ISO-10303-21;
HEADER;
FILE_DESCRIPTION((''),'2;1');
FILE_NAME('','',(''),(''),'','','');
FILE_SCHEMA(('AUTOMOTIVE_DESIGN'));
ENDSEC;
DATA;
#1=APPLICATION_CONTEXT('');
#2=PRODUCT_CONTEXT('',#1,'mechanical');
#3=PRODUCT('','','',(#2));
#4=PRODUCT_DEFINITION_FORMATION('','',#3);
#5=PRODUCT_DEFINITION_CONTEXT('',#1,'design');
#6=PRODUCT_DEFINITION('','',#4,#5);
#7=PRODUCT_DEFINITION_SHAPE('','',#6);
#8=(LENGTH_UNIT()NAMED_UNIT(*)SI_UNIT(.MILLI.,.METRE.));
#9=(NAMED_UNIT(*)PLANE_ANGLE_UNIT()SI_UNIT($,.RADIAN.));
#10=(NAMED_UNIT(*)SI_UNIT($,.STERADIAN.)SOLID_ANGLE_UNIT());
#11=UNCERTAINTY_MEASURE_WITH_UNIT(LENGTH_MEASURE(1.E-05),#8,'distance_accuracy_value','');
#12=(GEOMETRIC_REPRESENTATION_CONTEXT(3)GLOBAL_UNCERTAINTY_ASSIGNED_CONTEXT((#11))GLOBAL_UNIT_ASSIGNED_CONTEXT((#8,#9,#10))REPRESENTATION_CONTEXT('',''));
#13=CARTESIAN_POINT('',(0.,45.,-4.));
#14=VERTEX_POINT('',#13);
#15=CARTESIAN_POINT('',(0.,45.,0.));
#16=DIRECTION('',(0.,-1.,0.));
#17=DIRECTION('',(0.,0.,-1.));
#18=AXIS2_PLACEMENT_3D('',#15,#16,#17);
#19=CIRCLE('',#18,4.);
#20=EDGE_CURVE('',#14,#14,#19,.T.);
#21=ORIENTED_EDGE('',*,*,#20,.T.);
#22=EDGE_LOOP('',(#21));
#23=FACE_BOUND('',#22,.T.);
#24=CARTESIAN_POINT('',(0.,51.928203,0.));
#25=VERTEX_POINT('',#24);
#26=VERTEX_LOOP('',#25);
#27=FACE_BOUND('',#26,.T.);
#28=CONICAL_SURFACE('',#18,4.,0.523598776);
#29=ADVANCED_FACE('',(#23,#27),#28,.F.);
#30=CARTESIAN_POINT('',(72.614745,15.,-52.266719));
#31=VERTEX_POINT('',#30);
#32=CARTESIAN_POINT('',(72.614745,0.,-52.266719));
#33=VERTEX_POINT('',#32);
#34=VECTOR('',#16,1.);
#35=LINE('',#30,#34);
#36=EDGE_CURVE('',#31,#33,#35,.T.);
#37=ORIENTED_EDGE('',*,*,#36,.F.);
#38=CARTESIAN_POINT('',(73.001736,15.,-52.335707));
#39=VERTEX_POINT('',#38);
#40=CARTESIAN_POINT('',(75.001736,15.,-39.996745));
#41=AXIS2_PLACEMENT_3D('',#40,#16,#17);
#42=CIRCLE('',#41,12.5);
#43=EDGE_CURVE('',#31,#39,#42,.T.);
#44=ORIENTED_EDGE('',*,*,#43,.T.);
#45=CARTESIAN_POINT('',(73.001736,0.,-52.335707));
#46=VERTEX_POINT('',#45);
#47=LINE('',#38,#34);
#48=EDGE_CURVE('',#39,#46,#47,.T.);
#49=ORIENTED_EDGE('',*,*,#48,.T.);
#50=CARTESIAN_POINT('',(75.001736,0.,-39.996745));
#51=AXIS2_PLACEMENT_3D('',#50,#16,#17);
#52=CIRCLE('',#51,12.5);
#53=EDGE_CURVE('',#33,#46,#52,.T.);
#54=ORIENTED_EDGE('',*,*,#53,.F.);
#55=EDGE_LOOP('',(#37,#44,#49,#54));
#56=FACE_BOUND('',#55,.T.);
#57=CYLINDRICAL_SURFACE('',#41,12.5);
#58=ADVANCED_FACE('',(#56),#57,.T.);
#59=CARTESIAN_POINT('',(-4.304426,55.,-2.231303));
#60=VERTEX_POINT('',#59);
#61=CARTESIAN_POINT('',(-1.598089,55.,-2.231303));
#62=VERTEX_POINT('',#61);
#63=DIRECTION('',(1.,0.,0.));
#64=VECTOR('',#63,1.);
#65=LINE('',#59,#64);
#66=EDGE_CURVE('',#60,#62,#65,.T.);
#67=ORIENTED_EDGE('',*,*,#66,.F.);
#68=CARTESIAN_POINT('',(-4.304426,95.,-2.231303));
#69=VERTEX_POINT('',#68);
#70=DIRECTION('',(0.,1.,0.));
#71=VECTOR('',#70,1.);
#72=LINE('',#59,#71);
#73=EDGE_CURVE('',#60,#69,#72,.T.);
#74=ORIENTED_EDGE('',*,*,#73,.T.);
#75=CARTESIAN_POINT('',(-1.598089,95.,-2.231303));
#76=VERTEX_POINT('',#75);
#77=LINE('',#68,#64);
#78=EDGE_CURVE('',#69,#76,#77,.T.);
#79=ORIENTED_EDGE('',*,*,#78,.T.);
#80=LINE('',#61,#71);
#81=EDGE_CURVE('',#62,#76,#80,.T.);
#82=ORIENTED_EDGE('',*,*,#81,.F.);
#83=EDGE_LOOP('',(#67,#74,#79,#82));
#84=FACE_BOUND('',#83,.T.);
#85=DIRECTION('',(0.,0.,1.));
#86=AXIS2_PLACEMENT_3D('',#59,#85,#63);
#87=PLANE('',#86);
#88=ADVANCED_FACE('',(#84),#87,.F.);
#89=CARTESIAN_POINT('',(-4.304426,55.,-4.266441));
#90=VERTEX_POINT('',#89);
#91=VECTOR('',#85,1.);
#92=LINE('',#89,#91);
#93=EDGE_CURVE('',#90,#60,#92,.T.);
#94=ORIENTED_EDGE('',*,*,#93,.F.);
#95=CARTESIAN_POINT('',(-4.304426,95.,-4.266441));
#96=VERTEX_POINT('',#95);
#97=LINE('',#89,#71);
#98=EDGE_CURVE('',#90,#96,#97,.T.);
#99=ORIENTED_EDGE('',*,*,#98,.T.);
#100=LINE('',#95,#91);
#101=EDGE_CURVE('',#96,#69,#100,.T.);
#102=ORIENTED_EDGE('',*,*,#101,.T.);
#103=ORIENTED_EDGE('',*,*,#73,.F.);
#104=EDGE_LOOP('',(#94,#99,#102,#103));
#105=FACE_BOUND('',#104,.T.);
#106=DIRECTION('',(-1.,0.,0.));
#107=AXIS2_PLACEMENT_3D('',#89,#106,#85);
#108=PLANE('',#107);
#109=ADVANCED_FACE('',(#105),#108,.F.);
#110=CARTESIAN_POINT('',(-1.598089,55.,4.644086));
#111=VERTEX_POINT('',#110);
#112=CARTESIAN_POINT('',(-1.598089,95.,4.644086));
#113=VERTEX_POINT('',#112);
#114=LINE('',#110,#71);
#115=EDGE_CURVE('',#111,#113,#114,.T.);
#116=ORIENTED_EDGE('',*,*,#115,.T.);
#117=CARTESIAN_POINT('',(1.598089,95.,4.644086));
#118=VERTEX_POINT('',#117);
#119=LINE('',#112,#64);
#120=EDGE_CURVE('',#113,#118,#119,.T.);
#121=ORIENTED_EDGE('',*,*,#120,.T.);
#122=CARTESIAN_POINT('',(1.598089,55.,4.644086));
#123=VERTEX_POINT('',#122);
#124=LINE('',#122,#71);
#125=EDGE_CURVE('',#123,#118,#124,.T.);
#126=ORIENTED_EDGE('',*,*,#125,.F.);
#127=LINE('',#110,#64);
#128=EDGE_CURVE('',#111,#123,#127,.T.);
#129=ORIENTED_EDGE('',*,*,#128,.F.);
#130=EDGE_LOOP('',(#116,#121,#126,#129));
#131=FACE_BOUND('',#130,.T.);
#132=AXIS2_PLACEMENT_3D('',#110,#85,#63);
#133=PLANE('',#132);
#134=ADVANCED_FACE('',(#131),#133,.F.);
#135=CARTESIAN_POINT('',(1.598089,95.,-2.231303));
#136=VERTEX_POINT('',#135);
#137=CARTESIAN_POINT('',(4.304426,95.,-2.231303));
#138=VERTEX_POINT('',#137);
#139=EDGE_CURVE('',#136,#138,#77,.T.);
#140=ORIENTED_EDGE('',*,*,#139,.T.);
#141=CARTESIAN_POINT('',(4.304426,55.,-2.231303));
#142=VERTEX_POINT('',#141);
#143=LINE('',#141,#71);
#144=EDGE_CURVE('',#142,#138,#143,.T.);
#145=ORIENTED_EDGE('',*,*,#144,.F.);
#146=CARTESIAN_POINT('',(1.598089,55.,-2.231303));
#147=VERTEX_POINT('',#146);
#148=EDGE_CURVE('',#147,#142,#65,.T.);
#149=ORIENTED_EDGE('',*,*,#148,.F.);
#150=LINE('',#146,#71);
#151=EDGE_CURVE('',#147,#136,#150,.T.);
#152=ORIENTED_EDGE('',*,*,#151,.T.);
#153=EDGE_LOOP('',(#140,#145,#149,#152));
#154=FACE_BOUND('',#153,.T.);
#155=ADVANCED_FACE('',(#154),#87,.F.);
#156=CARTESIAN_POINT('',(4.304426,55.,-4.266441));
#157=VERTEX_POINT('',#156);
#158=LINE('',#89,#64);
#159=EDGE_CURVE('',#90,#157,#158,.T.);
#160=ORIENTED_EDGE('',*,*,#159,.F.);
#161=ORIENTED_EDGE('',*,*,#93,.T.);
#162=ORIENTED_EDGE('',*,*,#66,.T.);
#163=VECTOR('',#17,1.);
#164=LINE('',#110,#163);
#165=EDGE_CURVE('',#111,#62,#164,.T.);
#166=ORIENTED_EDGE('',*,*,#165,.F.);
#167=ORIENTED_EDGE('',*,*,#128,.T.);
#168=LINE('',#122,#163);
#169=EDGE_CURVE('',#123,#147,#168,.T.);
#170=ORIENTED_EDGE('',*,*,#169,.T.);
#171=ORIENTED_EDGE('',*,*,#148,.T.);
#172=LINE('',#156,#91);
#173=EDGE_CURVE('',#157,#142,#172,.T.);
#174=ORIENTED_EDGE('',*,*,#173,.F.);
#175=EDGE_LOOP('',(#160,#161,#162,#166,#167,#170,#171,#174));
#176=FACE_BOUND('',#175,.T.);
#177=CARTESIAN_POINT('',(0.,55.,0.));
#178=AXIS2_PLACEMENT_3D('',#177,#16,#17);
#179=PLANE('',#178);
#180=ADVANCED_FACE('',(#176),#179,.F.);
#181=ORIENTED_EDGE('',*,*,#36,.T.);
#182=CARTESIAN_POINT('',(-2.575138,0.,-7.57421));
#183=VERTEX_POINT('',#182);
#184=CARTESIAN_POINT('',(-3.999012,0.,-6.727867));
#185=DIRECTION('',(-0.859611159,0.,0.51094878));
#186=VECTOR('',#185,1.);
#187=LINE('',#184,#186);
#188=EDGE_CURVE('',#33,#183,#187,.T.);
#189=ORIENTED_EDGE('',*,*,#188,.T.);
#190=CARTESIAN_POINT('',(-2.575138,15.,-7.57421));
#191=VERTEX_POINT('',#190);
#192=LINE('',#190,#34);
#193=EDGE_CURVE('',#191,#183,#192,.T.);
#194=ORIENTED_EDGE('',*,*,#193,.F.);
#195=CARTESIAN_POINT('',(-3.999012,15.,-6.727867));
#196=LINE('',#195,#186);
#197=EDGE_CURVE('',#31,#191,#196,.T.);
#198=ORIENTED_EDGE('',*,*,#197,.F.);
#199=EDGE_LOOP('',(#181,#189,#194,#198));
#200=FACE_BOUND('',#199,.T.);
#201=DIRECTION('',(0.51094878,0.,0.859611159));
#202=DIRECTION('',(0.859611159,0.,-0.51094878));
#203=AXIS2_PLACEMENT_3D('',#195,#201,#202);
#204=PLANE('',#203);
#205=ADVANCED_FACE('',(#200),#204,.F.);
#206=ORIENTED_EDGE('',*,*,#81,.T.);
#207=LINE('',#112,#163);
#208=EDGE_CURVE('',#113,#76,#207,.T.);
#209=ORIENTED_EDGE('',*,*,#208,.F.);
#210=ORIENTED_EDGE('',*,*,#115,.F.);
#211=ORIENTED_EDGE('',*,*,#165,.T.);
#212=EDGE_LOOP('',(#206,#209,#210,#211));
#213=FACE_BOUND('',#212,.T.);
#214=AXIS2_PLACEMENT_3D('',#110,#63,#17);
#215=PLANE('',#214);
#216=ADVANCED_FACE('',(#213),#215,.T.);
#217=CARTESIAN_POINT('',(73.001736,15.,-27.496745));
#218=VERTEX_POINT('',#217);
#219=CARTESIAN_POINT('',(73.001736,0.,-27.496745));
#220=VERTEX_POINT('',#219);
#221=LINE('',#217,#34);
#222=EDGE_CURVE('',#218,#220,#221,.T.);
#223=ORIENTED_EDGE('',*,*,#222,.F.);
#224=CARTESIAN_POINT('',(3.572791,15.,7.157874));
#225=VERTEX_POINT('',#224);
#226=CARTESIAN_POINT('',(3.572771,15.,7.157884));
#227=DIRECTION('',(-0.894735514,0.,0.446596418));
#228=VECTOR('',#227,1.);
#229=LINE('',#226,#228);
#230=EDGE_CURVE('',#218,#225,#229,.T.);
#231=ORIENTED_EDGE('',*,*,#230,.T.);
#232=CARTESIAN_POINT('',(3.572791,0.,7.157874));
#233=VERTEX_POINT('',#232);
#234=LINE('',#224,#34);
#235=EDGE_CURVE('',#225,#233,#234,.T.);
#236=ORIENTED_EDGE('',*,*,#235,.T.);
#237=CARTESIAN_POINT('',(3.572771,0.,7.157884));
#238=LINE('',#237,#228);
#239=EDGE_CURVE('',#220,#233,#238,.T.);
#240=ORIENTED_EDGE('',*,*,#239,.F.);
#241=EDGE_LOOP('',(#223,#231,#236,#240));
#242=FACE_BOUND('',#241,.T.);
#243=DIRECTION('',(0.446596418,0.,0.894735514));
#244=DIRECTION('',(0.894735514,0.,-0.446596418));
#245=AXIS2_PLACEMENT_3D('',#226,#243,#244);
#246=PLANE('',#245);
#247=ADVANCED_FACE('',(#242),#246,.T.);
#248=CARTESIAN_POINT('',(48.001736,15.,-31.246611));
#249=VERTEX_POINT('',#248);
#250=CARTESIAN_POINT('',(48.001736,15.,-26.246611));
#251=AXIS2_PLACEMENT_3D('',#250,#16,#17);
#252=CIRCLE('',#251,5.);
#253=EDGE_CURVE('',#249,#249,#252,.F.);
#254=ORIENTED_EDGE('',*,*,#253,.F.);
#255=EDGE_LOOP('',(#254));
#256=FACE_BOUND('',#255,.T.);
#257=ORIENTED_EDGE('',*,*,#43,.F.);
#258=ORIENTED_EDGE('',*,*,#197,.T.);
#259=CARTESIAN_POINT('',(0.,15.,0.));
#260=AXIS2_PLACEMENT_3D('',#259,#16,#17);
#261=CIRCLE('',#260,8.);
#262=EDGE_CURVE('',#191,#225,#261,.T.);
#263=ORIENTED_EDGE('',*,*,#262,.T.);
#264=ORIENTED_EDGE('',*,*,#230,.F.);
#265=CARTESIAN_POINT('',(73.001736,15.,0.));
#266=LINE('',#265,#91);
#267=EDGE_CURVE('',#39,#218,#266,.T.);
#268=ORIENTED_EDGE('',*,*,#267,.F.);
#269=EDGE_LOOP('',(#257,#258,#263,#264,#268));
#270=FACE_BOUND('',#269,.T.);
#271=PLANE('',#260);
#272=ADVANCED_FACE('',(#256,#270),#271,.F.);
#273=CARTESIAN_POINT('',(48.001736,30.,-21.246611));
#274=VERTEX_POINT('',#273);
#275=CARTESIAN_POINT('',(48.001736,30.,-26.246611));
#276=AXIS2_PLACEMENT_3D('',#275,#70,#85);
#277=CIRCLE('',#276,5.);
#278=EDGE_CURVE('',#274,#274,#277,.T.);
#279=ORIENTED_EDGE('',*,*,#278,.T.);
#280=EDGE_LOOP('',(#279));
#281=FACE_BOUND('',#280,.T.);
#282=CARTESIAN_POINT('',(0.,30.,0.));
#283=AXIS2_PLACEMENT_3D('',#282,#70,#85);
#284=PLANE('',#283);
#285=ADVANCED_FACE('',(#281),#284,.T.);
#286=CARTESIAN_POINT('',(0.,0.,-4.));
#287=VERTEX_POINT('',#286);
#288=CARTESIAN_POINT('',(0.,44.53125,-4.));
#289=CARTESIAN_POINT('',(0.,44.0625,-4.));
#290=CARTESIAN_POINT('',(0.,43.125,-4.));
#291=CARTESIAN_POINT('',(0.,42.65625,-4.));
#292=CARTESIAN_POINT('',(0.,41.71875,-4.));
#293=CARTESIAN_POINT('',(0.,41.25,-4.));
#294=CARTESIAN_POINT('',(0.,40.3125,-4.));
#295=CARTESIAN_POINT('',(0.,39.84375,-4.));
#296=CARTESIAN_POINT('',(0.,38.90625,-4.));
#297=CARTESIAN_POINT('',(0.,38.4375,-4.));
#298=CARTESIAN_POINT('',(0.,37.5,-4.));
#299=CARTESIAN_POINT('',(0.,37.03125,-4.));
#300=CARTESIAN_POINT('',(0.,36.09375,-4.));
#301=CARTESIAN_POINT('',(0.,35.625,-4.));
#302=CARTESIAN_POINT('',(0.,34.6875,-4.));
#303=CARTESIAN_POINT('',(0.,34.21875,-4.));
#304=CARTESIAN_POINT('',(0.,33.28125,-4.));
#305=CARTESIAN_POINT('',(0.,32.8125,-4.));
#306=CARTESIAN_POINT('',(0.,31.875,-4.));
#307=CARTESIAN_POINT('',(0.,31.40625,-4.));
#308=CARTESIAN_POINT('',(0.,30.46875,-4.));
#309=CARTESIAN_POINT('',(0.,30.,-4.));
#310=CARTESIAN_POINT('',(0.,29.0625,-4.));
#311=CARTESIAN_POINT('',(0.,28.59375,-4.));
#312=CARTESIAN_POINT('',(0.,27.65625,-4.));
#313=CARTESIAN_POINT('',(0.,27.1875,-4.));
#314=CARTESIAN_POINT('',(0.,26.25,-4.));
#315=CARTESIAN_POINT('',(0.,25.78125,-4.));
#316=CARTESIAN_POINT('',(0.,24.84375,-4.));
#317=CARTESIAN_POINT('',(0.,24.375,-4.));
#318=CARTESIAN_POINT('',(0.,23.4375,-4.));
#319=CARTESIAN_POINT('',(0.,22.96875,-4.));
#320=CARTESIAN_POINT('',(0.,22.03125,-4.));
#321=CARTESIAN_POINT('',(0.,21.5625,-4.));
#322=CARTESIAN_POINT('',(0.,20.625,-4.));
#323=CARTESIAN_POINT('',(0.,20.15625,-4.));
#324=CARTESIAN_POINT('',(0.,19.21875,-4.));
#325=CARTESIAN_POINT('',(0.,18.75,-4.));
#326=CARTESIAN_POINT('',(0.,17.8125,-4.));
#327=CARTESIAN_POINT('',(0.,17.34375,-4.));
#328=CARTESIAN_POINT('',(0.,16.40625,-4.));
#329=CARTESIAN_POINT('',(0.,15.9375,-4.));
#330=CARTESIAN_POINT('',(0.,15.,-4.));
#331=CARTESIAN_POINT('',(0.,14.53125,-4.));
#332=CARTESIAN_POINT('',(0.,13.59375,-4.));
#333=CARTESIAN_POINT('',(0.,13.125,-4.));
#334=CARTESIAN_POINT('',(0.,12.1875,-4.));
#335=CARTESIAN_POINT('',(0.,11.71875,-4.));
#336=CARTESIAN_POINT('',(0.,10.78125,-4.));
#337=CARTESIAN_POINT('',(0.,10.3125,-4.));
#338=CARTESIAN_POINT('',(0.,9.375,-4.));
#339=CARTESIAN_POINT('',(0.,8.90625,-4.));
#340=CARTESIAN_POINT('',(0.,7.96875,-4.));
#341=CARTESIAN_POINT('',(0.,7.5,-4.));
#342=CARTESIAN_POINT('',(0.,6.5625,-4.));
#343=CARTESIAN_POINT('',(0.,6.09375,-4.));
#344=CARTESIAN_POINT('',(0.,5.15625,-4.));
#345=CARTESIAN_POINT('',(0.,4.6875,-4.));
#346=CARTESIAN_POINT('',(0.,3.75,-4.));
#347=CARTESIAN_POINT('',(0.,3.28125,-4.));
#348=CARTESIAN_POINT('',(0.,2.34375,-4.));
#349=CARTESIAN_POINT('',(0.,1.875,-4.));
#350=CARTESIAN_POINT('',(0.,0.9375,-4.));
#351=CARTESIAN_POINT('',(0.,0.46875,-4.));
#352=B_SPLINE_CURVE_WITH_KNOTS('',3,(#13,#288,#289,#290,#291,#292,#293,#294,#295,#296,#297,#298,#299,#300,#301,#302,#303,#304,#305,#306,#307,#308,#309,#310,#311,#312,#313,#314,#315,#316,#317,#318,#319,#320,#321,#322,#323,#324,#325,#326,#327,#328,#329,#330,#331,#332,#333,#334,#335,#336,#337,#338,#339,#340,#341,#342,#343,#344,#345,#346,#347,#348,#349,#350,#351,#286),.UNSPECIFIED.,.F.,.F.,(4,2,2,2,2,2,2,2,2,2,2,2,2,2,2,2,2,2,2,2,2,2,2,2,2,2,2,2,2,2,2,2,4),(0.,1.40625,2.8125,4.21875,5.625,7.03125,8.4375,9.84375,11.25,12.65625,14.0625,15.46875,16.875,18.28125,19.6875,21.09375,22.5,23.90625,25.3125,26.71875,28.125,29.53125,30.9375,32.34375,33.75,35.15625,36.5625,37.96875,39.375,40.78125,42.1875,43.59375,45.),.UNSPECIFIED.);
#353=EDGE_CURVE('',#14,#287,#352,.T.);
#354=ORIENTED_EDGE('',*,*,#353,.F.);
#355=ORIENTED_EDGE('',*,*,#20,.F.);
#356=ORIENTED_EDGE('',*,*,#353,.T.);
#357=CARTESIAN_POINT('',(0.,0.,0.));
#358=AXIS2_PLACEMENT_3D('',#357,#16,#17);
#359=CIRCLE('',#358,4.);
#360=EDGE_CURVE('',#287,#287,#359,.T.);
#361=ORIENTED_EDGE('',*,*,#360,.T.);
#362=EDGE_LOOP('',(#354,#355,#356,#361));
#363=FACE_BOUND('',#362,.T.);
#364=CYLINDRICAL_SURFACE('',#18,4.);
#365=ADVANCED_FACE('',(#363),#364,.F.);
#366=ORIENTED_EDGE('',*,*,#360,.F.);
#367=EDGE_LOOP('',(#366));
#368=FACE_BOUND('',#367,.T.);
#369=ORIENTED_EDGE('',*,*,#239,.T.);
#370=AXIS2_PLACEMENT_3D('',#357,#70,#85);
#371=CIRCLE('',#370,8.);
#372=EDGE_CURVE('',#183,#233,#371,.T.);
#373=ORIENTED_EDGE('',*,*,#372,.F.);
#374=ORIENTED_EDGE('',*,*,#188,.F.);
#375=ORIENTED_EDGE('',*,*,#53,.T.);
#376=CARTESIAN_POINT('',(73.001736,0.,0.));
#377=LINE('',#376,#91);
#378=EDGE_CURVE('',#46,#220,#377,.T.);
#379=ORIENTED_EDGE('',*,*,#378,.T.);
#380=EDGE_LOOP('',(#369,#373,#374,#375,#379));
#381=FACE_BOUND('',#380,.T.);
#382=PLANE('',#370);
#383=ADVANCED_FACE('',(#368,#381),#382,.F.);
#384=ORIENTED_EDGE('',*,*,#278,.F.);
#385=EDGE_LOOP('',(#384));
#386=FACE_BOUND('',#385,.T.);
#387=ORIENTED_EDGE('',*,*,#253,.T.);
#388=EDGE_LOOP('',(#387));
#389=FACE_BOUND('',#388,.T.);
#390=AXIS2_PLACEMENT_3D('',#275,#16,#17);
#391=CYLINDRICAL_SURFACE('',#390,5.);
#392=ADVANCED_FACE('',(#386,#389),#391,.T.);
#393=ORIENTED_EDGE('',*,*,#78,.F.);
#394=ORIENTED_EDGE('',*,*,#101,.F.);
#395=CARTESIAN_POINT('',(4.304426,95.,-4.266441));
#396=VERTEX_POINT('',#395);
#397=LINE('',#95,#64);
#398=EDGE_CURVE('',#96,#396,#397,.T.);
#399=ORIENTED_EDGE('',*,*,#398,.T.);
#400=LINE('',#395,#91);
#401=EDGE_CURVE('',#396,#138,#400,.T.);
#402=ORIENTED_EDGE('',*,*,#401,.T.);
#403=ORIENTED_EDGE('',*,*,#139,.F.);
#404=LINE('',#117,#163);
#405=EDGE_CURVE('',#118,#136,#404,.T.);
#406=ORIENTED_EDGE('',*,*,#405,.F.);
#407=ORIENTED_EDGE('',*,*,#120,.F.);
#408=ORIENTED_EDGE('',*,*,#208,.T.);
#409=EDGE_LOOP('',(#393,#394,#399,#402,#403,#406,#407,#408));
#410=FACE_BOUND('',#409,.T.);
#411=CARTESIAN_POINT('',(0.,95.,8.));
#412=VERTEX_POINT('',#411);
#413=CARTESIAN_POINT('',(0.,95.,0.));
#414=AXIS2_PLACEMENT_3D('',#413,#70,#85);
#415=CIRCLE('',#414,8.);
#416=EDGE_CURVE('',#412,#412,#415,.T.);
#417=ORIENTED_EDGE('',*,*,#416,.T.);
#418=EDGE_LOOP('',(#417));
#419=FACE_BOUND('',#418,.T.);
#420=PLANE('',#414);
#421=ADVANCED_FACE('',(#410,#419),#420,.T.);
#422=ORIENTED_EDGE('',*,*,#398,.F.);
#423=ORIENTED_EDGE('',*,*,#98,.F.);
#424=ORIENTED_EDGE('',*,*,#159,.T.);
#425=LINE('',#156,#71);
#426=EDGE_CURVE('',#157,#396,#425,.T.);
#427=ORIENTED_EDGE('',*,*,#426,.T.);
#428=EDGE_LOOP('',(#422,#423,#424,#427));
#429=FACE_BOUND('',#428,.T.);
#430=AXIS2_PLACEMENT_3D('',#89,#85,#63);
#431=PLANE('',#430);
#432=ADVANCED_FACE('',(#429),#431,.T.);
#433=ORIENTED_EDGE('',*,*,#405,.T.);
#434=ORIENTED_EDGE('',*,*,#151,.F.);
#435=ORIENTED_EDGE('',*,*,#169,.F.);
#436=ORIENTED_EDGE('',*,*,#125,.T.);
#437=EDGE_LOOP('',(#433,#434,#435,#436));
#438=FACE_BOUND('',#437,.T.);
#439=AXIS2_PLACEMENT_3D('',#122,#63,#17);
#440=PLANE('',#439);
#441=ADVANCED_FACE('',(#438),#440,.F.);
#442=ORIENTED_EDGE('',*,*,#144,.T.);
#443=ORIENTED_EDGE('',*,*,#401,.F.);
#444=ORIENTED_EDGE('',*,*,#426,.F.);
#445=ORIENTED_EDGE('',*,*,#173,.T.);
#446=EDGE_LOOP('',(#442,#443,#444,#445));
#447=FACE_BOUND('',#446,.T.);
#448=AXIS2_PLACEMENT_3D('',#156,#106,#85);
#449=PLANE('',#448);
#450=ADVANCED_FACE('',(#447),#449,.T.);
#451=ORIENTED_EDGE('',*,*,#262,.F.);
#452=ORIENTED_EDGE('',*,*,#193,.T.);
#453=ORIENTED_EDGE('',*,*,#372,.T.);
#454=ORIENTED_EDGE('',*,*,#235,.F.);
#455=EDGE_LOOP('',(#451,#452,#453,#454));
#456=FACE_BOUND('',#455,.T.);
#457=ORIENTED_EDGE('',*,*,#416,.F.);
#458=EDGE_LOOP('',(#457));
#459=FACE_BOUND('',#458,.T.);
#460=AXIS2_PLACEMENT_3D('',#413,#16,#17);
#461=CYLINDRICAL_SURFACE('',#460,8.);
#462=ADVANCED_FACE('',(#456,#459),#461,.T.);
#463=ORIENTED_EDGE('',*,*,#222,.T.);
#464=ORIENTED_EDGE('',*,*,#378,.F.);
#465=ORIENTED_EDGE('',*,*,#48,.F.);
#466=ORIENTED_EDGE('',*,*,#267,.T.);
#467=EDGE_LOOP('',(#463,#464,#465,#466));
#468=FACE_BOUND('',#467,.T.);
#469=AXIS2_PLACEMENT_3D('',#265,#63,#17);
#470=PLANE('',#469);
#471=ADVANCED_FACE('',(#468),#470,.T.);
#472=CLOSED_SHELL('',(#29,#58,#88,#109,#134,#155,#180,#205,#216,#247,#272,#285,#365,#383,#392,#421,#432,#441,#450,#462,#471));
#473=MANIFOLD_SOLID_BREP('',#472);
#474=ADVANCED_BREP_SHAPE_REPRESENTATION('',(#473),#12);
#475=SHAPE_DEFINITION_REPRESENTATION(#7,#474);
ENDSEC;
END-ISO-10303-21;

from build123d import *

# Parameters (mm, degrees)
SKETCH1_R           = 8
BOSS_EXTRUDE1_DEPTH = 95
SKETCH2_R           = 4
CUT_EXTRUDE1_DEPTH  = 45
SKETCH3_W           = 8.60885167
SKETCH3_H           = 2.035138461
SKETCH3_W_2         = 3.196177608
SKETCH3_H_2         = 6.875388446
CUT_EXTRUDE2_DEPTH  = 40
BOSS_EXTRUDE2_DEPTH = 15
SKETCH5_R           = 5
BOSS_EXTRUDE3_DEPTH = 15


with BuildPart() as part:
    # Sketch1 → Boss-Extrude1 (new body)
    with BuildSketch(Plane(origin=(0, 0, 0), x_dir=(1, 0, 0), z_dir=(0, 1, 0))):
        with Locations(Location((0, 0, 0), (0, 0, 270))):
            Circle(SKETCH1_R)
    extrude(amount=BOSS_EXTRUDE1_DEPTH)

    # Sketch2 → Cut-Extrude1 (cut)
    with BuildSketch(Plane.XZ):
        with Locations(Location((0, 0, 0), (0, 0, 270))):
            Circle(SKETCH2_R)
    extrude(amount=-CUT_EXTRUDE1_DEPTH, mode=Mode.SUBTRACT)

    # Sketch3 → Cut-Extrude2 (cut)
    with BuildSketch(Plane(origin=(0, 95, 0), x_dir=(1, 0, 0), z_dir=(0, 1, 0))):
        with Locations((0, 3.24887213)):
            Rectangle(SKETCH3_W, SKETCH3_H)
        with Locations((0, -1.206391324)):
            Rectangle(SKETCH3_W_2, SKETCH3_H_2)
    extrude(amount=-CUT_EXTRUDE2_DEPTH, mode=Mode.SUBTRACT)

    # Sketch4 → Boss-Extrude2 (add)
    with BuildSketch(Plane.XZ):
        with BuildLine():
            ThreePointArc((72.61474538, -52.266719107), (72.807969556, -52.302734502), (73.001736138, -52.33570725))
            Line((73.001736138, -52.33570725), (73.001736138, -27.496744571))
            Line((73.001736138, -27.496744571), (3.57279106, 7.157874268))
            ThreePointArc((3.57279106, 7.157874268), (7.382913261, -3.081004996), (-2.575137965, -7.574210484))
            Line((-2.575137965, -7.574210484), (72.61474538, -52.266719107))
        make_face()
    extrude(amount=-BOSS_EXTRUDE2_DEPTH)

    # Sketch5 → Boss-Extrude3 (add)
    with BuildSketch(Plane(origin=(0, 15, 0), x_dir=(1, 0, 0), z_dir=(0, 1, 0))):
        with Locations(Location((48.001736138, 26.246610631, 0), (0, 0, 90))):
            Circle(SKETCH5_R)
    extrude(amount=BOSS_EXTRUDE3_DEPTH)

    # Sketch9 → Cut-Revolve2 (revolve, cut)
    with BuildSketch(Plane(origin=(0, 0, 0), x_dir=(0.6901743919423456, 0, -0.7236430810192366), z_dir=(-0.7236430810192366, 0, -0.6901743919423456)), mode=Mode.PRIVATE) as cut_revolve2_sk:
        Polygon((-4, -45), (0, -45), (0, -51.92820323), align=None)
    revolve(cut_revolve2_sk.sketch.rotate(Axis((0, 45, 0), (0, 1, 0)), 242.42131363), axis=Axis((0, 45, 0), (0, 1, 0)), mode=Mode.SUBTRACT)


solid = part.part
